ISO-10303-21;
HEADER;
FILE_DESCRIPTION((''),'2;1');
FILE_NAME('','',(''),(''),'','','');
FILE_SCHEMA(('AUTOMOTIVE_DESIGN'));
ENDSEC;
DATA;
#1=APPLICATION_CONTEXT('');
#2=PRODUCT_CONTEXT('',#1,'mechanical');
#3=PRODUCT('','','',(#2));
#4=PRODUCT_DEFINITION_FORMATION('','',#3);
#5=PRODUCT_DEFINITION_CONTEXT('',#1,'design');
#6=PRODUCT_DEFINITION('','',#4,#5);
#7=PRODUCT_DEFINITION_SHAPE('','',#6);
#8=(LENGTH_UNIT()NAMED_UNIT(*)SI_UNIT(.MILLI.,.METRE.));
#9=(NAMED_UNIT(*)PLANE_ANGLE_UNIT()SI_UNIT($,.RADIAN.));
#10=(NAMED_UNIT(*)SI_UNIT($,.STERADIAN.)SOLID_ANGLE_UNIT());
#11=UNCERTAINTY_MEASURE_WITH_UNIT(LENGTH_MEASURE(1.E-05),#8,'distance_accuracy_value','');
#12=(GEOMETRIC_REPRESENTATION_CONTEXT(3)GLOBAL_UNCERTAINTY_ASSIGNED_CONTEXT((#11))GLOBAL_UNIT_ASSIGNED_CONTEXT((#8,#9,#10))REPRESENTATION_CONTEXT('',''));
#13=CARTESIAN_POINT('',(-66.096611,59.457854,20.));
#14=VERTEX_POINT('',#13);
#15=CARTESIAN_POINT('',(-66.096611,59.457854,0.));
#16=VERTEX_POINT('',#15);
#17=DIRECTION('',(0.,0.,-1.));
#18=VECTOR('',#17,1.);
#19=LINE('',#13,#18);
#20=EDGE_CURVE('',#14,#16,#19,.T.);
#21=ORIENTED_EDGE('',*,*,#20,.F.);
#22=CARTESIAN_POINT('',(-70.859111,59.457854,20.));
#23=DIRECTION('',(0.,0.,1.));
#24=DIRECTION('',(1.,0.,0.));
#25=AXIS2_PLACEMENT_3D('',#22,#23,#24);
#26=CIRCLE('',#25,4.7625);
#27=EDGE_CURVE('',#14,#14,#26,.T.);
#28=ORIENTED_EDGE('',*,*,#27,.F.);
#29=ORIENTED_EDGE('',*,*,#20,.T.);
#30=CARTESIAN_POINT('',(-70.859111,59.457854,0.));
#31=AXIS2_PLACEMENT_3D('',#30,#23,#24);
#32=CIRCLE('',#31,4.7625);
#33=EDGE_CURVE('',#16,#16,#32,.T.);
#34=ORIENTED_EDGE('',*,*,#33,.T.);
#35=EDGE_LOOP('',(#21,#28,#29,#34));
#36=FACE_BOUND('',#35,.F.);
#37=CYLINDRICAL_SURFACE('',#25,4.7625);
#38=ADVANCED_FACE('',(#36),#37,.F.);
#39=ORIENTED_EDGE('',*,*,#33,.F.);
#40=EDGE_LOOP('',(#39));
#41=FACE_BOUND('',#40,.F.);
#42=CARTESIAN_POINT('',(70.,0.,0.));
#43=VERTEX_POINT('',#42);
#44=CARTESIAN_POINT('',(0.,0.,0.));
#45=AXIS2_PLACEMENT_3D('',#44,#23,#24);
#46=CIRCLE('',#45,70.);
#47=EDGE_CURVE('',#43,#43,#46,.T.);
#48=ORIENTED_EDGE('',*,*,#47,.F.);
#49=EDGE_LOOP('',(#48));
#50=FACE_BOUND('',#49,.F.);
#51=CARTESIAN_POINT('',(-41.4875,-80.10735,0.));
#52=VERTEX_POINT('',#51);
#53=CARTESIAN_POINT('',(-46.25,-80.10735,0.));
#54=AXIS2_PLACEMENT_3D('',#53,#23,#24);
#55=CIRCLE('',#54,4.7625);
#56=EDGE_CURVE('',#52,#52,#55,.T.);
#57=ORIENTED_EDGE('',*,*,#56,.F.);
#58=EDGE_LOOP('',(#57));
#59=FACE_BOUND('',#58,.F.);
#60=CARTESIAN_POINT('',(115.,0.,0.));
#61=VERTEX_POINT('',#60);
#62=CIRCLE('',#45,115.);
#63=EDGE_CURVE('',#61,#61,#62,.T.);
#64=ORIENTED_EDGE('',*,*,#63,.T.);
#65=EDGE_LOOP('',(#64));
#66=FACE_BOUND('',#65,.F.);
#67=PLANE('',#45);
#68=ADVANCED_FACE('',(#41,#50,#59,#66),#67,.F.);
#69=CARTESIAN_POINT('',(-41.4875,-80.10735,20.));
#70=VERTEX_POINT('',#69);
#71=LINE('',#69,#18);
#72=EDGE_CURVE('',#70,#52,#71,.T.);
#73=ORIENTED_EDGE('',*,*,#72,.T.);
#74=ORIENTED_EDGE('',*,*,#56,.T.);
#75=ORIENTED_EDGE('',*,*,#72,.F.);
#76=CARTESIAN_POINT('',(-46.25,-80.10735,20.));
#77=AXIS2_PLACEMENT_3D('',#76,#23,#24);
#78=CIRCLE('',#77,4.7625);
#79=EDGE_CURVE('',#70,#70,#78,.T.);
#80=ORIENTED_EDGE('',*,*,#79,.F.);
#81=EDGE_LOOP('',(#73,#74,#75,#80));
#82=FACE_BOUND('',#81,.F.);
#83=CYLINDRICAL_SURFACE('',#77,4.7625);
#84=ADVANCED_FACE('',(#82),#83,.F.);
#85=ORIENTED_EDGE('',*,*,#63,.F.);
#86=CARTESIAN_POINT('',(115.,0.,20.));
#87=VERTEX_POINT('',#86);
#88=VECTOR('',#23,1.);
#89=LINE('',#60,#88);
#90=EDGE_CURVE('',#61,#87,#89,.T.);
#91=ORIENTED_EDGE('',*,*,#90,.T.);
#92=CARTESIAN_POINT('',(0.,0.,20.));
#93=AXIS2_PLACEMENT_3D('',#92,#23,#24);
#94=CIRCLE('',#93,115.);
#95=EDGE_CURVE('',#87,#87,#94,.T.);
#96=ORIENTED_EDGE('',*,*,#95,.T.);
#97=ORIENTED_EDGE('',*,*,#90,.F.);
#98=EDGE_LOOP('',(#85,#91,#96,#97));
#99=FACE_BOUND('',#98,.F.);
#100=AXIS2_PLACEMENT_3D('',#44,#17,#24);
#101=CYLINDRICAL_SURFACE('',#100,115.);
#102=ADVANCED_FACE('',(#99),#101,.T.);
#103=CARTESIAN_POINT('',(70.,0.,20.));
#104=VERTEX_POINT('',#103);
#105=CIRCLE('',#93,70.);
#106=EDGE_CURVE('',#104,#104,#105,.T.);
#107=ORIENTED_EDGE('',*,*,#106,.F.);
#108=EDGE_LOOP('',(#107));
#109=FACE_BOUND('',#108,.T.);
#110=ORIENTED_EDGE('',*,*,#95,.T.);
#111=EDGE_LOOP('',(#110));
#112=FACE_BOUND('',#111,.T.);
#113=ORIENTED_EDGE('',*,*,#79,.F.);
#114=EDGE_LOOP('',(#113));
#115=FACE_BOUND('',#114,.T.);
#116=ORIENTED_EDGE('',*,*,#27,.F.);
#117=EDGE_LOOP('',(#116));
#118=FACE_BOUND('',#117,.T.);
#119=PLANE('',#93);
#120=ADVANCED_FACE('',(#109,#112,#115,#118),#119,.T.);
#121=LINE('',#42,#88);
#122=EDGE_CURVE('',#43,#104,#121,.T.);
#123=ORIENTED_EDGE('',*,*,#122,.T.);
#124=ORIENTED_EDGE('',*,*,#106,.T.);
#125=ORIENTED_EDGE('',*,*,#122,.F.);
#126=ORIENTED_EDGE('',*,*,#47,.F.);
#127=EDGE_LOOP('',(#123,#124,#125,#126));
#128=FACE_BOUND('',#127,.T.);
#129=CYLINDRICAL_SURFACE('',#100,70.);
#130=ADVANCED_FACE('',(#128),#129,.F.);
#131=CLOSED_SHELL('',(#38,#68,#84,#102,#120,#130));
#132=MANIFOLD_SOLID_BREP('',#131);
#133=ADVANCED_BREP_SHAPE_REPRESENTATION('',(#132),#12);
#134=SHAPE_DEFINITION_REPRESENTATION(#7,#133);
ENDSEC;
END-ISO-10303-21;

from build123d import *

# Parameters (mm, degrees)
F0_R     = 115
F0_R_2   = 70
F1_DEPTH = 20
F2_R     = 4.7625
F3_DEPTH = 25


with BuildPart() as f1:
    # F0 (on Top) → F1 (new body)
    with BuildSketch(Plane.XY):
        Circle(F0_R)
        Circle(F0_R_2, mode=Mode.SUBTRACT)
    extrude(amount=F1_DEPTH)

    # F2 (on face) → F3 (cut)
    with BuildSketch(Plane.XY.offset(20)):
        with Locations((-70.859111, 59.457854)):
            Circle(F2_R)
        with Locations((-46.25, -80.10735)):
            Circle(F2_R)
    extrude(amount=-F3_DEPTH, mode=Mode.SUBTRACT)


solid = f1.part
